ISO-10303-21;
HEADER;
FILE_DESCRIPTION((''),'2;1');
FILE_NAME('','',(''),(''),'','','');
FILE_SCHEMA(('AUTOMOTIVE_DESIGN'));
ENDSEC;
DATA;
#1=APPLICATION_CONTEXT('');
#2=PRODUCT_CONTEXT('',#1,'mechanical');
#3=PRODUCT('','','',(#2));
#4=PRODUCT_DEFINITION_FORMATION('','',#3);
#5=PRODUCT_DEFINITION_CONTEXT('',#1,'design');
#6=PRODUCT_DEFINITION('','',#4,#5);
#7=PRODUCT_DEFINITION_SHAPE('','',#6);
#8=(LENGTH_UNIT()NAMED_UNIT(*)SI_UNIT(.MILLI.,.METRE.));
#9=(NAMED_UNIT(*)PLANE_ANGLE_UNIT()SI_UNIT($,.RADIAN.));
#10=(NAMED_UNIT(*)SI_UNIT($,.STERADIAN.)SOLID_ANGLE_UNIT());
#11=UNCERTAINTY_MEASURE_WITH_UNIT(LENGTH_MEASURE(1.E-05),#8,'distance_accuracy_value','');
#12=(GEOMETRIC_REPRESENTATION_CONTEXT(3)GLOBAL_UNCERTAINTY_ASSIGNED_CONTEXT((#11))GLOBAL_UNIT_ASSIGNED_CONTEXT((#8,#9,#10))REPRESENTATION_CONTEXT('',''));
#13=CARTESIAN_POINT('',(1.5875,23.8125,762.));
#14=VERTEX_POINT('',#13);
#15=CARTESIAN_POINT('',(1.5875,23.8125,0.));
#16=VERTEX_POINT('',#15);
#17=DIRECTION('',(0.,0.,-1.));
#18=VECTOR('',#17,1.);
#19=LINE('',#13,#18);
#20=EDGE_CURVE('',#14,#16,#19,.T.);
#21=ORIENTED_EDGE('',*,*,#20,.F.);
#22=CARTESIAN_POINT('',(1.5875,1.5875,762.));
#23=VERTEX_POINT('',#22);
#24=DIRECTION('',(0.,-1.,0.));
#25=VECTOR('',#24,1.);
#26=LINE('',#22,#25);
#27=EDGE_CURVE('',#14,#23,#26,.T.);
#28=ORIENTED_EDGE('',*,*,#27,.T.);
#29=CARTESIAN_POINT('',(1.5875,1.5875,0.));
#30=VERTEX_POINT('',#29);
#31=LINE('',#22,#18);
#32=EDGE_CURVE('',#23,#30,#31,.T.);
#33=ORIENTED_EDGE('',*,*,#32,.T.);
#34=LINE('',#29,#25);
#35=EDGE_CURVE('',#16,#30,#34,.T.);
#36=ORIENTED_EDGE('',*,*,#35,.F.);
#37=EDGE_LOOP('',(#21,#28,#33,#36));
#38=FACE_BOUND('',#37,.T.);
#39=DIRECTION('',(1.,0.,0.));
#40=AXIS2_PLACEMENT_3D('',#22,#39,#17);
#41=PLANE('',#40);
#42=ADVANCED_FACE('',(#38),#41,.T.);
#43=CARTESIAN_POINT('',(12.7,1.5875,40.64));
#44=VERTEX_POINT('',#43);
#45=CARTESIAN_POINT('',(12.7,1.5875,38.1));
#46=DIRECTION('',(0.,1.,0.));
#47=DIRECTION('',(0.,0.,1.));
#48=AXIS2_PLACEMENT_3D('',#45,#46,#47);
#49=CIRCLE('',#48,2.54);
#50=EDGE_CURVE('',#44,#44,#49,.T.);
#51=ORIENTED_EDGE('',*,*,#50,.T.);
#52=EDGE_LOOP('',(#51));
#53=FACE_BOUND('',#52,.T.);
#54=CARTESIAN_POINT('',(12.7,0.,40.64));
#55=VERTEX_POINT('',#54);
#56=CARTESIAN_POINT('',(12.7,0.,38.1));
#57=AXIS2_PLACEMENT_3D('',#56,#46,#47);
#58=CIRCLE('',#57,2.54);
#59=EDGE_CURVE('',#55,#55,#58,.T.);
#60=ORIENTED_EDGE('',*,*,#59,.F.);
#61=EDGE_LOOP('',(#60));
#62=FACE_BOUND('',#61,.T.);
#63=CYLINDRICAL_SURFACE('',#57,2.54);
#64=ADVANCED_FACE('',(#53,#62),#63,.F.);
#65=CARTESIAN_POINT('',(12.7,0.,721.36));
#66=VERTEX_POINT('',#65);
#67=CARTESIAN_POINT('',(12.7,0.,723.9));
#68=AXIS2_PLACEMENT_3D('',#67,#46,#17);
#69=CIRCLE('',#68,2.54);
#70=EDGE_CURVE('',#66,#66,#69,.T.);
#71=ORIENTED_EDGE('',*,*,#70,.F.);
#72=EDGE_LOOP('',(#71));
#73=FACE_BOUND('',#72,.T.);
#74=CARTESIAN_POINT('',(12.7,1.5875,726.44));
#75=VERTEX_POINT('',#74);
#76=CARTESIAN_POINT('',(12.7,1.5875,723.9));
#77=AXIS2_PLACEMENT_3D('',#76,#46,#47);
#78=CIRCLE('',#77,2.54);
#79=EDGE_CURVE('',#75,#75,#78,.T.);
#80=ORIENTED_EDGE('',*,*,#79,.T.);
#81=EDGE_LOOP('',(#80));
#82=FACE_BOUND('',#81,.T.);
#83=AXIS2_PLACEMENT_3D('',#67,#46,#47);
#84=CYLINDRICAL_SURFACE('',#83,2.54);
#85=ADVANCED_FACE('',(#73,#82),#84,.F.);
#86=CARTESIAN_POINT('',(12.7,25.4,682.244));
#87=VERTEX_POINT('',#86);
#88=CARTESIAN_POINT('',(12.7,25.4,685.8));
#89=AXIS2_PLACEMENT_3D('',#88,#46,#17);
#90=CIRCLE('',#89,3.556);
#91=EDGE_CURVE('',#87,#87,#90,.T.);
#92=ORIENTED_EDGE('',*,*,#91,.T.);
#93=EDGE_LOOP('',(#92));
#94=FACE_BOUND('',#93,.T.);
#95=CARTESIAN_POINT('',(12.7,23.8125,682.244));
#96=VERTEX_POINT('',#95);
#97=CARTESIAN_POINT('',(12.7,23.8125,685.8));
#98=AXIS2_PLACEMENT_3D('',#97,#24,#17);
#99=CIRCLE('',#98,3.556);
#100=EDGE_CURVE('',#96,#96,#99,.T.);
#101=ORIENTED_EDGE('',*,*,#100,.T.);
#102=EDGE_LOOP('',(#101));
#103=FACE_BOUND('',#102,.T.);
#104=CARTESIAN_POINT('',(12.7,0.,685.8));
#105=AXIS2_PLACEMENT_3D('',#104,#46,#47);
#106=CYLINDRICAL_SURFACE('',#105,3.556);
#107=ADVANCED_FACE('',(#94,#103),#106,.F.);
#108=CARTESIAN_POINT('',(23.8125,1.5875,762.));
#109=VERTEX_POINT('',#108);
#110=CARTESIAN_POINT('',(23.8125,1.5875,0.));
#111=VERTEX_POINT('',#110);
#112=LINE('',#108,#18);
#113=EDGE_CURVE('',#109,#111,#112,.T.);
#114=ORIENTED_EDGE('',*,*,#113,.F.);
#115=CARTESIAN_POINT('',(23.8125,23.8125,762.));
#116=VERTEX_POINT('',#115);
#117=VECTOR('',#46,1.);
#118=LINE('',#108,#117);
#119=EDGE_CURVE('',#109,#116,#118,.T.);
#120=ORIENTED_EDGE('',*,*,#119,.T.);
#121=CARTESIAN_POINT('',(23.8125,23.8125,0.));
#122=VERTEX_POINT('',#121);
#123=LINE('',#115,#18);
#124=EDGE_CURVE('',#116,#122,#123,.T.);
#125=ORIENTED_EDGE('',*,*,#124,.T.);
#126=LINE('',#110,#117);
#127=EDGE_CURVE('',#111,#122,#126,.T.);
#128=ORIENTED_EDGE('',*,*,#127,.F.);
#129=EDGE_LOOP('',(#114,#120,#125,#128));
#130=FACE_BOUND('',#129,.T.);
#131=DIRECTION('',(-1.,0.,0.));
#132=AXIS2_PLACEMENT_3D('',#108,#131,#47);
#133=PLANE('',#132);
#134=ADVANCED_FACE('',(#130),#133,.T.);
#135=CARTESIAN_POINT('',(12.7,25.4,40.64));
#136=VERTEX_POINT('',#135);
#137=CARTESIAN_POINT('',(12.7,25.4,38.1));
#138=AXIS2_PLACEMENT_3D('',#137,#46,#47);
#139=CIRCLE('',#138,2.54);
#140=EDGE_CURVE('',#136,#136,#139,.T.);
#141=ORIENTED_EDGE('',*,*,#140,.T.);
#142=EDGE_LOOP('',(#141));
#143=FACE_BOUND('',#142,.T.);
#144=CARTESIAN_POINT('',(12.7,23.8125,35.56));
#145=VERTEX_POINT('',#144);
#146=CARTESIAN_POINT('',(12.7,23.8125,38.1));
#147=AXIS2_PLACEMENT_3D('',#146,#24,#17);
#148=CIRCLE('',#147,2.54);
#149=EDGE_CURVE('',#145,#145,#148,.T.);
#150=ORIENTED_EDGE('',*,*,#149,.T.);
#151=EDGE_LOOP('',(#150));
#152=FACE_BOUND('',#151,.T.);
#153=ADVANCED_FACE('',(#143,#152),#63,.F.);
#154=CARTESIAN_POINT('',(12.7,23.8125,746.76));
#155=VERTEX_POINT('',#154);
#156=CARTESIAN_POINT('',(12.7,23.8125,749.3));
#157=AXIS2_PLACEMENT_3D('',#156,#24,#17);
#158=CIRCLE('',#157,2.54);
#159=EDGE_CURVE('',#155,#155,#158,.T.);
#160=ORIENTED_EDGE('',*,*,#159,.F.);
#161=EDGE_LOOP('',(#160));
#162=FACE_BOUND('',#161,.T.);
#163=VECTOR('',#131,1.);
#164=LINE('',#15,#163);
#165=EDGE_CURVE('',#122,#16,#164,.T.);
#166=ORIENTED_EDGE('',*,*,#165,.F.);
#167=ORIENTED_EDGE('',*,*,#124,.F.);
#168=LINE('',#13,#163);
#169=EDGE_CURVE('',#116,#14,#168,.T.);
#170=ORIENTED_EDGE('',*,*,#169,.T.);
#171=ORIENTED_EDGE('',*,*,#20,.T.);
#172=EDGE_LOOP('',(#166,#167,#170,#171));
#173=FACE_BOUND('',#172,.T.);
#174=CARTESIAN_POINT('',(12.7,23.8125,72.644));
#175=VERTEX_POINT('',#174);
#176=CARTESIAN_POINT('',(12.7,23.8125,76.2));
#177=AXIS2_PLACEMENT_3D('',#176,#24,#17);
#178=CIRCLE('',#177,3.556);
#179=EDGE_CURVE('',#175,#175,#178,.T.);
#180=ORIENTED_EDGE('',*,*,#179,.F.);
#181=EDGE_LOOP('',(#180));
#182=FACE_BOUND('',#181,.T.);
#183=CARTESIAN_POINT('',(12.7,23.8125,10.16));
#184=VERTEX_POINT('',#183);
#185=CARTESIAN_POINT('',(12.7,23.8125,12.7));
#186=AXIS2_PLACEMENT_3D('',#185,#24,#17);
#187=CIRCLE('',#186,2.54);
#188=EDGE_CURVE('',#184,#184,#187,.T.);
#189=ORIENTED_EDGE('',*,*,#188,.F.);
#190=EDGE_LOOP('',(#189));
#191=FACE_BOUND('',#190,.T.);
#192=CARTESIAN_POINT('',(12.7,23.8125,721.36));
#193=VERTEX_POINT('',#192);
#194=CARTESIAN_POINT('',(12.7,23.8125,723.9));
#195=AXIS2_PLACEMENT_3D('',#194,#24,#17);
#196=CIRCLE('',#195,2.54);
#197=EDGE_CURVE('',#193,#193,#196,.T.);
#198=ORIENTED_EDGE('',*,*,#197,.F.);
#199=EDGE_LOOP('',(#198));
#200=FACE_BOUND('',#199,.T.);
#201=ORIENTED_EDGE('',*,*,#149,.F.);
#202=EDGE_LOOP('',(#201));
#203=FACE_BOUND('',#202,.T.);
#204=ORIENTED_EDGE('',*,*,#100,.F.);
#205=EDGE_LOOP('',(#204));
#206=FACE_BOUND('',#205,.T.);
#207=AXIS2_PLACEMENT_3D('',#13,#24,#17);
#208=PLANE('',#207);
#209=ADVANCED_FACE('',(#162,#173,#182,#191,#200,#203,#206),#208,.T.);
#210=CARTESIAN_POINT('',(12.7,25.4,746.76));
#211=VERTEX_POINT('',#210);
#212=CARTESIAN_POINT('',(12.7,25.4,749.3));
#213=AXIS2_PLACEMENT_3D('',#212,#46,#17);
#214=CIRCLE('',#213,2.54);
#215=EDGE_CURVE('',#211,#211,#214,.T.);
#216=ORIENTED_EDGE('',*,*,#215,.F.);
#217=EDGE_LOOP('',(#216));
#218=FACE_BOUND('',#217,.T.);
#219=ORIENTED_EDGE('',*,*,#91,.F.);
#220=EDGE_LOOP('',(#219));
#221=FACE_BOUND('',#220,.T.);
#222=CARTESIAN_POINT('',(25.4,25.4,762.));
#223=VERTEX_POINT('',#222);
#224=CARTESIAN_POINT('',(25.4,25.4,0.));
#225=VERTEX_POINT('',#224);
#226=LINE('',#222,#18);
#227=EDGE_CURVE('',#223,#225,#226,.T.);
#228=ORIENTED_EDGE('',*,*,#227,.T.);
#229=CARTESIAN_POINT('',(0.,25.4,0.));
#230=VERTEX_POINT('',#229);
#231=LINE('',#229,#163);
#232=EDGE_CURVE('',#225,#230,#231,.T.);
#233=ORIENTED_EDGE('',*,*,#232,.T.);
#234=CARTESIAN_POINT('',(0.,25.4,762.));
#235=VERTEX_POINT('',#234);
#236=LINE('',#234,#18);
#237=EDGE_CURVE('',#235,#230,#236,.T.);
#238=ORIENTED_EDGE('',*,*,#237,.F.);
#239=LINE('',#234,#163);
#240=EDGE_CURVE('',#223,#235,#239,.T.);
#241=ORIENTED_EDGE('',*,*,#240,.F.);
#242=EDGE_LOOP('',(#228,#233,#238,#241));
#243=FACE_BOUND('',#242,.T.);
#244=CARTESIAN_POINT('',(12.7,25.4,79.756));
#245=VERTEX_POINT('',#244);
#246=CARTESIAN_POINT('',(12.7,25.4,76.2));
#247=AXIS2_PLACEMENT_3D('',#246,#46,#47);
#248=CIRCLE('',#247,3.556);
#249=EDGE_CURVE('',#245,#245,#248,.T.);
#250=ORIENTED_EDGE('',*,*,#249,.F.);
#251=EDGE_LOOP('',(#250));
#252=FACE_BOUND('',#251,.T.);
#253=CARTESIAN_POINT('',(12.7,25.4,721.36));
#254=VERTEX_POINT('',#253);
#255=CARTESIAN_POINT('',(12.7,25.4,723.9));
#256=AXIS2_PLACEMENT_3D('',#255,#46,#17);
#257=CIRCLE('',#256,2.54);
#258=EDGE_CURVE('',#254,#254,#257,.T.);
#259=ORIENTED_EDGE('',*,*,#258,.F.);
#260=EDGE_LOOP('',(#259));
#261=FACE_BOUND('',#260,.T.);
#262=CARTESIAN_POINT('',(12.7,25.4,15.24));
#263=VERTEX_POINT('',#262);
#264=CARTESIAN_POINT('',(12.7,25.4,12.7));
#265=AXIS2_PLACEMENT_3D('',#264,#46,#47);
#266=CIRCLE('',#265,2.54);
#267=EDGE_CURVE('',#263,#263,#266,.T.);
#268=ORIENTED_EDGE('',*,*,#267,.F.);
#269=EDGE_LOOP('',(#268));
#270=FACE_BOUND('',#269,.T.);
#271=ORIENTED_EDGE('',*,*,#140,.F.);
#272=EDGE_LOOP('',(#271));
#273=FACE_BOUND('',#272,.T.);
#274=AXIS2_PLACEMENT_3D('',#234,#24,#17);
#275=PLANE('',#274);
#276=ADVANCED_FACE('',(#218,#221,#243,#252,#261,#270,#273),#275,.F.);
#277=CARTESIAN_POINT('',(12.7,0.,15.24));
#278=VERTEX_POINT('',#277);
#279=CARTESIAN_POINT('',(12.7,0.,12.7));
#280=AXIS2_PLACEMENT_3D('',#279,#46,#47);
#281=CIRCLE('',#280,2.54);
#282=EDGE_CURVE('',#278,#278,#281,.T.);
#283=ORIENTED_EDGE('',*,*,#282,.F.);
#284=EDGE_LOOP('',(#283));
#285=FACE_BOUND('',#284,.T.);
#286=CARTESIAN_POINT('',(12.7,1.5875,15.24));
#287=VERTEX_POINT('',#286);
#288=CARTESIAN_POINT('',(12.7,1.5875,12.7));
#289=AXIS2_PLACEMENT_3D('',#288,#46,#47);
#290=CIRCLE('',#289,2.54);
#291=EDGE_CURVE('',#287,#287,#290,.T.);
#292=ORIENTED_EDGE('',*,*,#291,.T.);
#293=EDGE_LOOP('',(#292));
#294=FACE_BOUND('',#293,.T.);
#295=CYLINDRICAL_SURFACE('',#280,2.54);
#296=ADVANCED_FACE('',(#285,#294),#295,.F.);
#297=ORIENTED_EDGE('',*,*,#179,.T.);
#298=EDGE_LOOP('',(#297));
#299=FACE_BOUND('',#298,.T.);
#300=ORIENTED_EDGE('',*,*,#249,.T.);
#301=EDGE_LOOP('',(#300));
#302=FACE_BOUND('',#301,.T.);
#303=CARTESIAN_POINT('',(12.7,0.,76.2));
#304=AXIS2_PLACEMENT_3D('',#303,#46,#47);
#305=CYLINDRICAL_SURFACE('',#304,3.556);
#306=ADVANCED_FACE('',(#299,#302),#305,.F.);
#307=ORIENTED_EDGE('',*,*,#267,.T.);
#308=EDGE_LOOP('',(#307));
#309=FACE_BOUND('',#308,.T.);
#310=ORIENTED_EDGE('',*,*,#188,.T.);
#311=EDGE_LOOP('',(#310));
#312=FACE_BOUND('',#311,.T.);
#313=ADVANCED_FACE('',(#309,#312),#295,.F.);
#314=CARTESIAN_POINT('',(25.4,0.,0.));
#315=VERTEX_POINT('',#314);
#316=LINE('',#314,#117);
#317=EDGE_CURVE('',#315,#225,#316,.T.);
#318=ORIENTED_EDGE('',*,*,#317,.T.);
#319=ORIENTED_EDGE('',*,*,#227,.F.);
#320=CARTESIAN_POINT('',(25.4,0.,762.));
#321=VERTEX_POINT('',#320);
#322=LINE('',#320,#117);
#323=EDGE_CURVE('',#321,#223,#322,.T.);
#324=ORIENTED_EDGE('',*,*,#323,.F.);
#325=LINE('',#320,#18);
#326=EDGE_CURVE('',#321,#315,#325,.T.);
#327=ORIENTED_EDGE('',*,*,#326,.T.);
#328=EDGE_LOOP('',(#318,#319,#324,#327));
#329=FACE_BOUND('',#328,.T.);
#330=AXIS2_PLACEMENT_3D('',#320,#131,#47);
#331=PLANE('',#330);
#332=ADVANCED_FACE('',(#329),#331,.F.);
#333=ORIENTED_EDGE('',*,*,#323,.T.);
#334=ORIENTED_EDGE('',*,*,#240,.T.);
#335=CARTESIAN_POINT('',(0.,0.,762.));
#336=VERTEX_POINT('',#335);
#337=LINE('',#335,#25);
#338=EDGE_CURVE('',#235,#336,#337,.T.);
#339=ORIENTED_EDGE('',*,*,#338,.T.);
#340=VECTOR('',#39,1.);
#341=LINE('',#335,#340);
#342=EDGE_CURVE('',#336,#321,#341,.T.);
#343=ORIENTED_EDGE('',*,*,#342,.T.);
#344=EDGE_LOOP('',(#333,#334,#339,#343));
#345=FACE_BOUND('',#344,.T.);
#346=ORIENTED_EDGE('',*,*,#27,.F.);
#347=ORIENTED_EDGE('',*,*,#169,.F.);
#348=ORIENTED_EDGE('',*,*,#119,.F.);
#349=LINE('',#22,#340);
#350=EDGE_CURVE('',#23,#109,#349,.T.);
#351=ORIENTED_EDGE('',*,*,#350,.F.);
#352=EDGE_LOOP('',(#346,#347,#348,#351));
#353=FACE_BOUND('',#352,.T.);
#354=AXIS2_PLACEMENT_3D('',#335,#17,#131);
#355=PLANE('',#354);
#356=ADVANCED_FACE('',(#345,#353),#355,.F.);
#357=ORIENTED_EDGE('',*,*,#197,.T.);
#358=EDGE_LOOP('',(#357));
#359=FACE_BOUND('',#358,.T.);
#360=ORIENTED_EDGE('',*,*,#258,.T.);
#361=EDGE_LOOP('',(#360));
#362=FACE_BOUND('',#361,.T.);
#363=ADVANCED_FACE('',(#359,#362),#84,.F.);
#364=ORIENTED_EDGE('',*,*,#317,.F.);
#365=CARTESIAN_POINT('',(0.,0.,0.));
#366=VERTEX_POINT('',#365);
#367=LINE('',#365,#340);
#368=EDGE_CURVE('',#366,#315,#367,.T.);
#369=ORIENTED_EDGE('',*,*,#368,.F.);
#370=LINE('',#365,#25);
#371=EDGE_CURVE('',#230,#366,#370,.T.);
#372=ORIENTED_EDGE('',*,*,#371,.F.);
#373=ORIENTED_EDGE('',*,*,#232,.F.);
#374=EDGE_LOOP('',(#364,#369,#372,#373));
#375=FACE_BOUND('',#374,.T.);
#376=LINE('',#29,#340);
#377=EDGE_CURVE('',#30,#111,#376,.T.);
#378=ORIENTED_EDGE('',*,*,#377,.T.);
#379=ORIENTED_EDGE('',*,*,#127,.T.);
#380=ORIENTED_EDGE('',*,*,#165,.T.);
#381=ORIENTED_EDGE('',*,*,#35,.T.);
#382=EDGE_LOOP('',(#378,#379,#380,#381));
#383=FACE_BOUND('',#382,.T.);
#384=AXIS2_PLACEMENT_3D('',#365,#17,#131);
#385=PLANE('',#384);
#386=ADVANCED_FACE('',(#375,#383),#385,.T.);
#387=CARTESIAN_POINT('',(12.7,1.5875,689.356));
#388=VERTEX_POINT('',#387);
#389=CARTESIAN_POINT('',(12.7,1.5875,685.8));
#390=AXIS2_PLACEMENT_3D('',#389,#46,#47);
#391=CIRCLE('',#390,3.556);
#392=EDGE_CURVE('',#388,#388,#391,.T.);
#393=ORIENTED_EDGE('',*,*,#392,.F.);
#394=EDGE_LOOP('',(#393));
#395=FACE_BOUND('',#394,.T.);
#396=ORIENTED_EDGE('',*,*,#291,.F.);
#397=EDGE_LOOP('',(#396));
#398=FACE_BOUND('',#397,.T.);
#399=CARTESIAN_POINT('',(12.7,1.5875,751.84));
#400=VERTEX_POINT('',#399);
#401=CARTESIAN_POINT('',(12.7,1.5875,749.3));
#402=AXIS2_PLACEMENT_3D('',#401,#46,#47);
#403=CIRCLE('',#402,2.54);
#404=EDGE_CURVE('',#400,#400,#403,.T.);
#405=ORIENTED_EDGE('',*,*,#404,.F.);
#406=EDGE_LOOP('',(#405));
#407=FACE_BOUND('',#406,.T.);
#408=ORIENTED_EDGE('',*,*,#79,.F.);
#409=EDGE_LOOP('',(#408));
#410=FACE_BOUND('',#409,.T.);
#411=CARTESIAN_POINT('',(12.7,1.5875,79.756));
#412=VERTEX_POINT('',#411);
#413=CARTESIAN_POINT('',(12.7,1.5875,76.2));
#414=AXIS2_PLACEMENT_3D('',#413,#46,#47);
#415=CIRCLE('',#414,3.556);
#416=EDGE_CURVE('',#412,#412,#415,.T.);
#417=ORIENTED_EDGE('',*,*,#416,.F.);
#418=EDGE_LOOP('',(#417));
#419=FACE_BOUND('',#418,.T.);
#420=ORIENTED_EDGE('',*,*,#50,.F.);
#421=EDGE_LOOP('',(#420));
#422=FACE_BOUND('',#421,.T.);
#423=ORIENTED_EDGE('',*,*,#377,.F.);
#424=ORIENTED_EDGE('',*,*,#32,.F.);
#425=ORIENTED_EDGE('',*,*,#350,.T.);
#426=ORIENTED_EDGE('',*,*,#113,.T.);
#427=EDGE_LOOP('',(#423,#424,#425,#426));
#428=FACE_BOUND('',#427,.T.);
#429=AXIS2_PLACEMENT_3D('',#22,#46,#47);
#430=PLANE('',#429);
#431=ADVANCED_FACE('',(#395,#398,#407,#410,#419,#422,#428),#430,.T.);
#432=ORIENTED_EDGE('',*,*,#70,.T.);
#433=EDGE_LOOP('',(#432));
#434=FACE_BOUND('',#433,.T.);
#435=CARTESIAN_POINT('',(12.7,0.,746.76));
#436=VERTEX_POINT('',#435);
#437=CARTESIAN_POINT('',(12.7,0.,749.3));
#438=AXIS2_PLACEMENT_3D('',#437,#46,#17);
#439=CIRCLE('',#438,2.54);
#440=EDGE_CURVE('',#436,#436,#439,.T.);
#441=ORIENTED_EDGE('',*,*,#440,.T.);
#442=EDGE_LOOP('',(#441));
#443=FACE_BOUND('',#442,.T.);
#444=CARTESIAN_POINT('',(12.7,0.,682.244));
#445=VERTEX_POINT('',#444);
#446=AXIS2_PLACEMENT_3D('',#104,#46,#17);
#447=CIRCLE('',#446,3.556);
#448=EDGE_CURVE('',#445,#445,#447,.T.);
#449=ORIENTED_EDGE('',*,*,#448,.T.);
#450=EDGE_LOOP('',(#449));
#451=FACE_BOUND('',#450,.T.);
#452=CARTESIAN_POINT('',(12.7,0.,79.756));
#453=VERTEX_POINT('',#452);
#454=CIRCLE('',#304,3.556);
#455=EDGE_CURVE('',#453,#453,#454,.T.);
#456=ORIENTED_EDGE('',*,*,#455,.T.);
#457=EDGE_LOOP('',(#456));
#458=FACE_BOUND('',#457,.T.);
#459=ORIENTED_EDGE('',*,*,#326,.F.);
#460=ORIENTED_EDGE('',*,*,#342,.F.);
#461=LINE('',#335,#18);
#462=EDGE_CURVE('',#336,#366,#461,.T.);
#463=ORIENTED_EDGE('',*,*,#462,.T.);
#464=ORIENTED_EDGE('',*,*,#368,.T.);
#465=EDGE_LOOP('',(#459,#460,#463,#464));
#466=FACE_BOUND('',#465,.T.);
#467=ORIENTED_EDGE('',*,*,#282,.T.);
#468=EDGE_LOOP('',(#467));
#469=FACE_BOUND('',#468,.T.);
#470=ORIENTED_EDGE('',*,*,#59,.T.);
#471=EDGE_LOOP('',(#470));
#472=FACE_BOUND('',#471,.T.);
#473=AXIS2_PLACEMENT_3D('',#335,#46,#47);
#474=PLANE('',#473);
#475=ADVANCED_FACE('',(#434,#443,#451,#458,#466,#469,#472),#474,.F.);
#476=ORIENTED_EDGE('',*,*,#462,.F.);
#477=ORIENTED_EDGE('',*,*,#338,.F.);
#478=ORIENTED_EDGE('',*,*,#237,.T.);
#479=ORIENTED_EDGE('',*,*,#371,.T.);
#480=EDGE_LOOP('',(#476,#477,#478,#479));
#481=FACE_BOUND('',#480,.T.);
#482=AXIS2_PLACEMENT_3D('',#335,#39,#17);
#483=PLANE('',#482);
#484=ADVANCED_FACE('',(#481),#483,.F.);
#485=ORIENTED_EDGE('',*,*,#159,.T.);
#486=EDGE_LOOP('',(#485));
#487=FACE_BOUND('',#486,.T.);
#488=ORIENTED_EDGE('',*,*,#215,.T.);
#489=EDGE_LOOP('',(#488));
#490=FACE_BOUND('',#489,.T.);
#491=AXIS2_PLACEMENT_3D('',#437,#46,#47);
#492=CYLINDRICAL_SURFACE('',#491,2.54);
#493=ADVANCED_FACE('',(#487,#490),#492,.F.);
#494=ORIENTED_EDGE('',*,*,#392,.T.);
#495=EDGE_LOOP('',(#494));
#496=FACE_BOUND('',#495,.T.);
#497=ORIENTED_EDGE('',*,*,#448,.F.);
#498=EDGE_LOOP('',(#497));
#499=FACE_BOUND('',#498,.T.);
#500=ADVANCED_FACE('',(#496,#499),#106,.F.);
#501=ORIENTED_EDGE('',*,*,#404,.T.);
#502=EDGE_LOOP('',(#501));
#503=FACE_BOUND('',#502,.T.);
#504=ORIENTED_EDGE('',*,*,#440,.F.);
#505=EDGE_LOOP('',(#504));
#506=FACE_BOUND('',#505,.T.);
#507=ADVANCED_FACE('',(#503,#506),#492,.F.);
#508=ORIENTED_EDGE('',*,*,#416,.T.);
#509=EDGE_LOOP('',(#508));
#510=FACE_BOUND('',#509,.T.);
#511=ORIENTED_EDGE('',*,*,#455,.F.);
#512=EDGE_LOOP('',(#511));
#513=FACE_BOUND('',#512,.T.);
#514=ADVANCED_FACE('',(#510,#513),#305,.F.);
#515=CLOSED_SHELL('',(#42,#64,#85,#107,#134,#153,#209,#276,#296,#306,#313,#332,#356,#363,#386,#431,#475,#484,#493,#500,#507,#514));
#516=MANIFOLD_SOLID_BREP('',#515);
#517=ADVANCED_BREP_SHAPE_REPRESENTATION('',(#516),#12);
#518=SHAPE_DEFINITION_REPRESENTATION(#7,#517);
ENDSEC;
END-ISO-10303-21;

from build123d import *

# Parameters (mm, degrees)
SKETCH1_W           = 25.4
SKETCH1_H           = 25.4
SKETCH1_W_2         = 22.225
SKETCH1_H_2         = 22.225
BOSS_EXTRUDE1_DEPTH = 762
SKETCH3_R           = 2.54
SKETCH3_R_2         = 3.556
CUT_EXTRUDE2_DEPTH  = 763.846196818


with BuildPart() as part:
    # Sketch1 → Boss-Extrude1 (new body)
    with BuildSketch(Plane.XY):
        with Locations((12.7, 12.7)):
            Rectangle(SKETCH1_W, SKETCH1_H)
        with Locations((12.7, 12.7)):
            Rectangle(SKETCH1_W_2, SKETCH1_H_2, mode=Mode.SUBTRACT)
    extrude(amount=BOSS_EXTRUDE1_DEPTH)

    # Sketch3 → Cut-Extrude2 (cut, through all)
    with BuildSketch(Plane(origin=(0, 25.4, 0), x_dir=(1, 0, 0), z_dir=(0, 1, 0))):
        with Locations(Location((12.7, -12.7, 0), (0, 0, 270))):
            Circle(SKETCH3_R)
        with Locations(Location((12.7, -38.1, 0), (0, 0, 270))):
            Circle(SKETCH3_R)
        with Locations(Location((12.7, -76.2, 0), (0, 0, 270))):
            Circle(SKETCH3_R_2)
        with Locations(Location((12.7, -685.8, 0), (0, 0, 90))):
            Circle(SKETCH3_R_2)
        with Locations(Location((12.7, -723.9, 0), (0, 0, 90))):
            Circle(SKETCH3_R)
        with Locations(Location((12.7, -749.3, 0), (0, 0, 90))):
            Circle(SKETCH3_R)
    extrude(amount=-CUT_EXTRUDE2_DEPTH, mode=Mode.SUBTRACT)


solid = part.part
